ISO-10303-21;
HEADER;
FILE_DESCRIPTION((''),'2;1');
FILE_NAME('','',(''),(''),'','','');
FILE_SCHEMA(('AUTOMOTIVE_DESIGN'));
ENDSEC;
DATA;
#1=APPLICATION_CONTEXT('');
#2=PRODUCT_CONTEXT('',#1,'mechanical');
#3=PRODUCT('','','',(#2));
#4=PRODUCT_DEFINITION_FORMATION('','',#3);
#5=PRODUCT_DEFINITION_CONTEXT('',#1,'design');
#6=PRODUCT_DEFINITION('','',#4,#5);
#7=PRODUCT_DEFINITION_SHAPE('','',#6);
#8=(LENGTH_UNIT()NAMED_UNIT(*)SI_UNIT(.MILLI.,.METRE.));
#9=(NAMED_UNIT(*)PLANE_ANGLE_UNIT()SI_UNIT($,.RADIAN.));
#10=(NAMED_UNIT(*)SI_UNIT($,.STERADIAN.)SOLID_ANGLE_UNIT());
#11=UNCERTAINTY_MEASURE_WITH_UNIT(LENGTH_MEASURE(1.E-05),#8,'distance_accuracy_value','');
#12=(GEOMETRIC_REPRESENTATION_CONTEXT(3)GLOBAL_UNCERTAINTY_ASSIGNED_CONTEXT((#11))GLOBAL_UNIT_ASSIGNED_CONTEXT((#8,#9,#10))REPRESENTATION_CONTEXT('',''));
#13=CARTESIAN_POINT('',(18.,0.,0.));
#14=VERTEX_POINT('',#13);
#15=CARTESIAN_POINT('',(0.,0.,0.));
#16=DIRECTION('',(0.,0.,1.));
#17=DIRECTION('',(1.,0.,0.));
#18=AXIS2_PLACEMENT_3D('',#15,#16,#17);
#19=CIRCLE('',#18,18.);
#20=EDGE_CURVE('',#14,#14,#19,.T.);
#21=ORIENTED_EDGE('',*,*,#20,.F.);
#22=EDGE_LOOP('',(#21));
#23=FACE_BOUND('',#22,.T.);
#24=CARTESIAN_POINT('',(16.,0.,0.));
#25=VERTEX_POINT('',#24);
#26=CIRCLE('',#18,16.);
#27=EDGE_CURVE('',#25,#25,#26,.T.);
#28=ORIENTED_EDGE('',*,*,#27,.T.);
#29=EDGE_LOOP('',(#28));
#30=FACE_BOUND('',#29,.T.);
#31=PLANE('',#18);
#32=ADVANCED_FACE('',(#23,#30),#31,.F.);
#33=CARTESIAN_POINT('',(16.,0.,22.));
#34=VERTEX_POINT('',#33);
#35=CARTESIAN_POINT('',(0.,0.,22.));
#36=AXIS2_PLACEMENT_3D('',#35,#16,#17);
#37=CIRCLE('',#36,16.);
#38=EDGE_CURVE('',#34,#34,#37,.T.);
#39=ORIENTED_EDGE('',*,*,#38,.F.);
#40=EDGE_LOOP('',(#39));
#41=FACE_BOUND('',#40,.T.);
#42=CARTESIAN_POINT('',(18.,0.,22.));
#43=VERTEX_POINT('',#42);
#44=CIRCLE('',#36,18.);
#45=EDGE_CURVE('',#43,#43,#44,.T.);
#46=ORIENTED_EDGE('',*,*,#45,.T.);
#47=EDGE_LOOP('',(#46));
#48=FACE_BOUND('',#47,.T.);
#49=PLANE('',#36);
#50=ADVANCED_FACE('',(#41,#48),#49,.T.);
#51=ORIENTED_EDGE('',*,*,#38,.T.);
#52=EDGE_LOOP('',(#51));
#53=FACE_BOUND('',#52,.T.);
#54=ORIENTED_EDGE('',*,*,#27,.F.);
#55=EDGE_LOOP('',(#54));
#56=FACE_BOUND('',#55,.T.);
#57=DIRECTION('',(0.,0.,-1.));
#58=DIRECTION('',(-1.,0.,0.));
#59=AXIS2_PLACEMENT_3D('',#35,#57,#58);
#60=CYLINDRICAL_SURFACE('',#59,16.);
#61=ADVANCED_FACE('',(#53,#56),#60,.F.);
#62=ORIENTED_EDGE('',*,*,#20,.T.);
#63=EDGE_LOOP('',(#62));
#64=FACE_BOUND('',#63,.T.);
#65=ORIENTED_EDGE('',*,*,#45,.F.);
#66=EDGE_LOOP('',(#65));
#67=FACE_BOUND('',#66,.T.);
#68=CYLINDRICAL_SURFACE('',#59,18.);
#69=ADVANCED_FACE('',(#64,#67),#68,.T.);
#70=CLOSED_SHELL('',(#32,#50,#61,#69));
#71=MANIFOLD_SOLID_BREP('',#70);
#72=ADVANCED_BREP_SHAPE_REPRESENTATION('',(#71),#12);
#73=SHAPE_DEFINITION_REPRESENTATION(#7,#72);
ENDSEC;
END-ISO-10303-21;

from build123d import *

# Parameters (mm, degrees)
ESQUISSE1_R          = 18
ESQUISSE1_R_2        = 16
BASE_EXTRUSION_DEPTH = 22


with BuildPart() as part:
    # Esquisse1 → Base-Extrusion (new body)
    with BuildSketch(Plane.XY):
        Circle(ESQUISSE1_R)
        Circle(ESQUISSE1_R_2, mode=Mode.SUBTRACT)
    extrude(amount=BASE_EXTRUSION_DEPTH)


solid = part.part
